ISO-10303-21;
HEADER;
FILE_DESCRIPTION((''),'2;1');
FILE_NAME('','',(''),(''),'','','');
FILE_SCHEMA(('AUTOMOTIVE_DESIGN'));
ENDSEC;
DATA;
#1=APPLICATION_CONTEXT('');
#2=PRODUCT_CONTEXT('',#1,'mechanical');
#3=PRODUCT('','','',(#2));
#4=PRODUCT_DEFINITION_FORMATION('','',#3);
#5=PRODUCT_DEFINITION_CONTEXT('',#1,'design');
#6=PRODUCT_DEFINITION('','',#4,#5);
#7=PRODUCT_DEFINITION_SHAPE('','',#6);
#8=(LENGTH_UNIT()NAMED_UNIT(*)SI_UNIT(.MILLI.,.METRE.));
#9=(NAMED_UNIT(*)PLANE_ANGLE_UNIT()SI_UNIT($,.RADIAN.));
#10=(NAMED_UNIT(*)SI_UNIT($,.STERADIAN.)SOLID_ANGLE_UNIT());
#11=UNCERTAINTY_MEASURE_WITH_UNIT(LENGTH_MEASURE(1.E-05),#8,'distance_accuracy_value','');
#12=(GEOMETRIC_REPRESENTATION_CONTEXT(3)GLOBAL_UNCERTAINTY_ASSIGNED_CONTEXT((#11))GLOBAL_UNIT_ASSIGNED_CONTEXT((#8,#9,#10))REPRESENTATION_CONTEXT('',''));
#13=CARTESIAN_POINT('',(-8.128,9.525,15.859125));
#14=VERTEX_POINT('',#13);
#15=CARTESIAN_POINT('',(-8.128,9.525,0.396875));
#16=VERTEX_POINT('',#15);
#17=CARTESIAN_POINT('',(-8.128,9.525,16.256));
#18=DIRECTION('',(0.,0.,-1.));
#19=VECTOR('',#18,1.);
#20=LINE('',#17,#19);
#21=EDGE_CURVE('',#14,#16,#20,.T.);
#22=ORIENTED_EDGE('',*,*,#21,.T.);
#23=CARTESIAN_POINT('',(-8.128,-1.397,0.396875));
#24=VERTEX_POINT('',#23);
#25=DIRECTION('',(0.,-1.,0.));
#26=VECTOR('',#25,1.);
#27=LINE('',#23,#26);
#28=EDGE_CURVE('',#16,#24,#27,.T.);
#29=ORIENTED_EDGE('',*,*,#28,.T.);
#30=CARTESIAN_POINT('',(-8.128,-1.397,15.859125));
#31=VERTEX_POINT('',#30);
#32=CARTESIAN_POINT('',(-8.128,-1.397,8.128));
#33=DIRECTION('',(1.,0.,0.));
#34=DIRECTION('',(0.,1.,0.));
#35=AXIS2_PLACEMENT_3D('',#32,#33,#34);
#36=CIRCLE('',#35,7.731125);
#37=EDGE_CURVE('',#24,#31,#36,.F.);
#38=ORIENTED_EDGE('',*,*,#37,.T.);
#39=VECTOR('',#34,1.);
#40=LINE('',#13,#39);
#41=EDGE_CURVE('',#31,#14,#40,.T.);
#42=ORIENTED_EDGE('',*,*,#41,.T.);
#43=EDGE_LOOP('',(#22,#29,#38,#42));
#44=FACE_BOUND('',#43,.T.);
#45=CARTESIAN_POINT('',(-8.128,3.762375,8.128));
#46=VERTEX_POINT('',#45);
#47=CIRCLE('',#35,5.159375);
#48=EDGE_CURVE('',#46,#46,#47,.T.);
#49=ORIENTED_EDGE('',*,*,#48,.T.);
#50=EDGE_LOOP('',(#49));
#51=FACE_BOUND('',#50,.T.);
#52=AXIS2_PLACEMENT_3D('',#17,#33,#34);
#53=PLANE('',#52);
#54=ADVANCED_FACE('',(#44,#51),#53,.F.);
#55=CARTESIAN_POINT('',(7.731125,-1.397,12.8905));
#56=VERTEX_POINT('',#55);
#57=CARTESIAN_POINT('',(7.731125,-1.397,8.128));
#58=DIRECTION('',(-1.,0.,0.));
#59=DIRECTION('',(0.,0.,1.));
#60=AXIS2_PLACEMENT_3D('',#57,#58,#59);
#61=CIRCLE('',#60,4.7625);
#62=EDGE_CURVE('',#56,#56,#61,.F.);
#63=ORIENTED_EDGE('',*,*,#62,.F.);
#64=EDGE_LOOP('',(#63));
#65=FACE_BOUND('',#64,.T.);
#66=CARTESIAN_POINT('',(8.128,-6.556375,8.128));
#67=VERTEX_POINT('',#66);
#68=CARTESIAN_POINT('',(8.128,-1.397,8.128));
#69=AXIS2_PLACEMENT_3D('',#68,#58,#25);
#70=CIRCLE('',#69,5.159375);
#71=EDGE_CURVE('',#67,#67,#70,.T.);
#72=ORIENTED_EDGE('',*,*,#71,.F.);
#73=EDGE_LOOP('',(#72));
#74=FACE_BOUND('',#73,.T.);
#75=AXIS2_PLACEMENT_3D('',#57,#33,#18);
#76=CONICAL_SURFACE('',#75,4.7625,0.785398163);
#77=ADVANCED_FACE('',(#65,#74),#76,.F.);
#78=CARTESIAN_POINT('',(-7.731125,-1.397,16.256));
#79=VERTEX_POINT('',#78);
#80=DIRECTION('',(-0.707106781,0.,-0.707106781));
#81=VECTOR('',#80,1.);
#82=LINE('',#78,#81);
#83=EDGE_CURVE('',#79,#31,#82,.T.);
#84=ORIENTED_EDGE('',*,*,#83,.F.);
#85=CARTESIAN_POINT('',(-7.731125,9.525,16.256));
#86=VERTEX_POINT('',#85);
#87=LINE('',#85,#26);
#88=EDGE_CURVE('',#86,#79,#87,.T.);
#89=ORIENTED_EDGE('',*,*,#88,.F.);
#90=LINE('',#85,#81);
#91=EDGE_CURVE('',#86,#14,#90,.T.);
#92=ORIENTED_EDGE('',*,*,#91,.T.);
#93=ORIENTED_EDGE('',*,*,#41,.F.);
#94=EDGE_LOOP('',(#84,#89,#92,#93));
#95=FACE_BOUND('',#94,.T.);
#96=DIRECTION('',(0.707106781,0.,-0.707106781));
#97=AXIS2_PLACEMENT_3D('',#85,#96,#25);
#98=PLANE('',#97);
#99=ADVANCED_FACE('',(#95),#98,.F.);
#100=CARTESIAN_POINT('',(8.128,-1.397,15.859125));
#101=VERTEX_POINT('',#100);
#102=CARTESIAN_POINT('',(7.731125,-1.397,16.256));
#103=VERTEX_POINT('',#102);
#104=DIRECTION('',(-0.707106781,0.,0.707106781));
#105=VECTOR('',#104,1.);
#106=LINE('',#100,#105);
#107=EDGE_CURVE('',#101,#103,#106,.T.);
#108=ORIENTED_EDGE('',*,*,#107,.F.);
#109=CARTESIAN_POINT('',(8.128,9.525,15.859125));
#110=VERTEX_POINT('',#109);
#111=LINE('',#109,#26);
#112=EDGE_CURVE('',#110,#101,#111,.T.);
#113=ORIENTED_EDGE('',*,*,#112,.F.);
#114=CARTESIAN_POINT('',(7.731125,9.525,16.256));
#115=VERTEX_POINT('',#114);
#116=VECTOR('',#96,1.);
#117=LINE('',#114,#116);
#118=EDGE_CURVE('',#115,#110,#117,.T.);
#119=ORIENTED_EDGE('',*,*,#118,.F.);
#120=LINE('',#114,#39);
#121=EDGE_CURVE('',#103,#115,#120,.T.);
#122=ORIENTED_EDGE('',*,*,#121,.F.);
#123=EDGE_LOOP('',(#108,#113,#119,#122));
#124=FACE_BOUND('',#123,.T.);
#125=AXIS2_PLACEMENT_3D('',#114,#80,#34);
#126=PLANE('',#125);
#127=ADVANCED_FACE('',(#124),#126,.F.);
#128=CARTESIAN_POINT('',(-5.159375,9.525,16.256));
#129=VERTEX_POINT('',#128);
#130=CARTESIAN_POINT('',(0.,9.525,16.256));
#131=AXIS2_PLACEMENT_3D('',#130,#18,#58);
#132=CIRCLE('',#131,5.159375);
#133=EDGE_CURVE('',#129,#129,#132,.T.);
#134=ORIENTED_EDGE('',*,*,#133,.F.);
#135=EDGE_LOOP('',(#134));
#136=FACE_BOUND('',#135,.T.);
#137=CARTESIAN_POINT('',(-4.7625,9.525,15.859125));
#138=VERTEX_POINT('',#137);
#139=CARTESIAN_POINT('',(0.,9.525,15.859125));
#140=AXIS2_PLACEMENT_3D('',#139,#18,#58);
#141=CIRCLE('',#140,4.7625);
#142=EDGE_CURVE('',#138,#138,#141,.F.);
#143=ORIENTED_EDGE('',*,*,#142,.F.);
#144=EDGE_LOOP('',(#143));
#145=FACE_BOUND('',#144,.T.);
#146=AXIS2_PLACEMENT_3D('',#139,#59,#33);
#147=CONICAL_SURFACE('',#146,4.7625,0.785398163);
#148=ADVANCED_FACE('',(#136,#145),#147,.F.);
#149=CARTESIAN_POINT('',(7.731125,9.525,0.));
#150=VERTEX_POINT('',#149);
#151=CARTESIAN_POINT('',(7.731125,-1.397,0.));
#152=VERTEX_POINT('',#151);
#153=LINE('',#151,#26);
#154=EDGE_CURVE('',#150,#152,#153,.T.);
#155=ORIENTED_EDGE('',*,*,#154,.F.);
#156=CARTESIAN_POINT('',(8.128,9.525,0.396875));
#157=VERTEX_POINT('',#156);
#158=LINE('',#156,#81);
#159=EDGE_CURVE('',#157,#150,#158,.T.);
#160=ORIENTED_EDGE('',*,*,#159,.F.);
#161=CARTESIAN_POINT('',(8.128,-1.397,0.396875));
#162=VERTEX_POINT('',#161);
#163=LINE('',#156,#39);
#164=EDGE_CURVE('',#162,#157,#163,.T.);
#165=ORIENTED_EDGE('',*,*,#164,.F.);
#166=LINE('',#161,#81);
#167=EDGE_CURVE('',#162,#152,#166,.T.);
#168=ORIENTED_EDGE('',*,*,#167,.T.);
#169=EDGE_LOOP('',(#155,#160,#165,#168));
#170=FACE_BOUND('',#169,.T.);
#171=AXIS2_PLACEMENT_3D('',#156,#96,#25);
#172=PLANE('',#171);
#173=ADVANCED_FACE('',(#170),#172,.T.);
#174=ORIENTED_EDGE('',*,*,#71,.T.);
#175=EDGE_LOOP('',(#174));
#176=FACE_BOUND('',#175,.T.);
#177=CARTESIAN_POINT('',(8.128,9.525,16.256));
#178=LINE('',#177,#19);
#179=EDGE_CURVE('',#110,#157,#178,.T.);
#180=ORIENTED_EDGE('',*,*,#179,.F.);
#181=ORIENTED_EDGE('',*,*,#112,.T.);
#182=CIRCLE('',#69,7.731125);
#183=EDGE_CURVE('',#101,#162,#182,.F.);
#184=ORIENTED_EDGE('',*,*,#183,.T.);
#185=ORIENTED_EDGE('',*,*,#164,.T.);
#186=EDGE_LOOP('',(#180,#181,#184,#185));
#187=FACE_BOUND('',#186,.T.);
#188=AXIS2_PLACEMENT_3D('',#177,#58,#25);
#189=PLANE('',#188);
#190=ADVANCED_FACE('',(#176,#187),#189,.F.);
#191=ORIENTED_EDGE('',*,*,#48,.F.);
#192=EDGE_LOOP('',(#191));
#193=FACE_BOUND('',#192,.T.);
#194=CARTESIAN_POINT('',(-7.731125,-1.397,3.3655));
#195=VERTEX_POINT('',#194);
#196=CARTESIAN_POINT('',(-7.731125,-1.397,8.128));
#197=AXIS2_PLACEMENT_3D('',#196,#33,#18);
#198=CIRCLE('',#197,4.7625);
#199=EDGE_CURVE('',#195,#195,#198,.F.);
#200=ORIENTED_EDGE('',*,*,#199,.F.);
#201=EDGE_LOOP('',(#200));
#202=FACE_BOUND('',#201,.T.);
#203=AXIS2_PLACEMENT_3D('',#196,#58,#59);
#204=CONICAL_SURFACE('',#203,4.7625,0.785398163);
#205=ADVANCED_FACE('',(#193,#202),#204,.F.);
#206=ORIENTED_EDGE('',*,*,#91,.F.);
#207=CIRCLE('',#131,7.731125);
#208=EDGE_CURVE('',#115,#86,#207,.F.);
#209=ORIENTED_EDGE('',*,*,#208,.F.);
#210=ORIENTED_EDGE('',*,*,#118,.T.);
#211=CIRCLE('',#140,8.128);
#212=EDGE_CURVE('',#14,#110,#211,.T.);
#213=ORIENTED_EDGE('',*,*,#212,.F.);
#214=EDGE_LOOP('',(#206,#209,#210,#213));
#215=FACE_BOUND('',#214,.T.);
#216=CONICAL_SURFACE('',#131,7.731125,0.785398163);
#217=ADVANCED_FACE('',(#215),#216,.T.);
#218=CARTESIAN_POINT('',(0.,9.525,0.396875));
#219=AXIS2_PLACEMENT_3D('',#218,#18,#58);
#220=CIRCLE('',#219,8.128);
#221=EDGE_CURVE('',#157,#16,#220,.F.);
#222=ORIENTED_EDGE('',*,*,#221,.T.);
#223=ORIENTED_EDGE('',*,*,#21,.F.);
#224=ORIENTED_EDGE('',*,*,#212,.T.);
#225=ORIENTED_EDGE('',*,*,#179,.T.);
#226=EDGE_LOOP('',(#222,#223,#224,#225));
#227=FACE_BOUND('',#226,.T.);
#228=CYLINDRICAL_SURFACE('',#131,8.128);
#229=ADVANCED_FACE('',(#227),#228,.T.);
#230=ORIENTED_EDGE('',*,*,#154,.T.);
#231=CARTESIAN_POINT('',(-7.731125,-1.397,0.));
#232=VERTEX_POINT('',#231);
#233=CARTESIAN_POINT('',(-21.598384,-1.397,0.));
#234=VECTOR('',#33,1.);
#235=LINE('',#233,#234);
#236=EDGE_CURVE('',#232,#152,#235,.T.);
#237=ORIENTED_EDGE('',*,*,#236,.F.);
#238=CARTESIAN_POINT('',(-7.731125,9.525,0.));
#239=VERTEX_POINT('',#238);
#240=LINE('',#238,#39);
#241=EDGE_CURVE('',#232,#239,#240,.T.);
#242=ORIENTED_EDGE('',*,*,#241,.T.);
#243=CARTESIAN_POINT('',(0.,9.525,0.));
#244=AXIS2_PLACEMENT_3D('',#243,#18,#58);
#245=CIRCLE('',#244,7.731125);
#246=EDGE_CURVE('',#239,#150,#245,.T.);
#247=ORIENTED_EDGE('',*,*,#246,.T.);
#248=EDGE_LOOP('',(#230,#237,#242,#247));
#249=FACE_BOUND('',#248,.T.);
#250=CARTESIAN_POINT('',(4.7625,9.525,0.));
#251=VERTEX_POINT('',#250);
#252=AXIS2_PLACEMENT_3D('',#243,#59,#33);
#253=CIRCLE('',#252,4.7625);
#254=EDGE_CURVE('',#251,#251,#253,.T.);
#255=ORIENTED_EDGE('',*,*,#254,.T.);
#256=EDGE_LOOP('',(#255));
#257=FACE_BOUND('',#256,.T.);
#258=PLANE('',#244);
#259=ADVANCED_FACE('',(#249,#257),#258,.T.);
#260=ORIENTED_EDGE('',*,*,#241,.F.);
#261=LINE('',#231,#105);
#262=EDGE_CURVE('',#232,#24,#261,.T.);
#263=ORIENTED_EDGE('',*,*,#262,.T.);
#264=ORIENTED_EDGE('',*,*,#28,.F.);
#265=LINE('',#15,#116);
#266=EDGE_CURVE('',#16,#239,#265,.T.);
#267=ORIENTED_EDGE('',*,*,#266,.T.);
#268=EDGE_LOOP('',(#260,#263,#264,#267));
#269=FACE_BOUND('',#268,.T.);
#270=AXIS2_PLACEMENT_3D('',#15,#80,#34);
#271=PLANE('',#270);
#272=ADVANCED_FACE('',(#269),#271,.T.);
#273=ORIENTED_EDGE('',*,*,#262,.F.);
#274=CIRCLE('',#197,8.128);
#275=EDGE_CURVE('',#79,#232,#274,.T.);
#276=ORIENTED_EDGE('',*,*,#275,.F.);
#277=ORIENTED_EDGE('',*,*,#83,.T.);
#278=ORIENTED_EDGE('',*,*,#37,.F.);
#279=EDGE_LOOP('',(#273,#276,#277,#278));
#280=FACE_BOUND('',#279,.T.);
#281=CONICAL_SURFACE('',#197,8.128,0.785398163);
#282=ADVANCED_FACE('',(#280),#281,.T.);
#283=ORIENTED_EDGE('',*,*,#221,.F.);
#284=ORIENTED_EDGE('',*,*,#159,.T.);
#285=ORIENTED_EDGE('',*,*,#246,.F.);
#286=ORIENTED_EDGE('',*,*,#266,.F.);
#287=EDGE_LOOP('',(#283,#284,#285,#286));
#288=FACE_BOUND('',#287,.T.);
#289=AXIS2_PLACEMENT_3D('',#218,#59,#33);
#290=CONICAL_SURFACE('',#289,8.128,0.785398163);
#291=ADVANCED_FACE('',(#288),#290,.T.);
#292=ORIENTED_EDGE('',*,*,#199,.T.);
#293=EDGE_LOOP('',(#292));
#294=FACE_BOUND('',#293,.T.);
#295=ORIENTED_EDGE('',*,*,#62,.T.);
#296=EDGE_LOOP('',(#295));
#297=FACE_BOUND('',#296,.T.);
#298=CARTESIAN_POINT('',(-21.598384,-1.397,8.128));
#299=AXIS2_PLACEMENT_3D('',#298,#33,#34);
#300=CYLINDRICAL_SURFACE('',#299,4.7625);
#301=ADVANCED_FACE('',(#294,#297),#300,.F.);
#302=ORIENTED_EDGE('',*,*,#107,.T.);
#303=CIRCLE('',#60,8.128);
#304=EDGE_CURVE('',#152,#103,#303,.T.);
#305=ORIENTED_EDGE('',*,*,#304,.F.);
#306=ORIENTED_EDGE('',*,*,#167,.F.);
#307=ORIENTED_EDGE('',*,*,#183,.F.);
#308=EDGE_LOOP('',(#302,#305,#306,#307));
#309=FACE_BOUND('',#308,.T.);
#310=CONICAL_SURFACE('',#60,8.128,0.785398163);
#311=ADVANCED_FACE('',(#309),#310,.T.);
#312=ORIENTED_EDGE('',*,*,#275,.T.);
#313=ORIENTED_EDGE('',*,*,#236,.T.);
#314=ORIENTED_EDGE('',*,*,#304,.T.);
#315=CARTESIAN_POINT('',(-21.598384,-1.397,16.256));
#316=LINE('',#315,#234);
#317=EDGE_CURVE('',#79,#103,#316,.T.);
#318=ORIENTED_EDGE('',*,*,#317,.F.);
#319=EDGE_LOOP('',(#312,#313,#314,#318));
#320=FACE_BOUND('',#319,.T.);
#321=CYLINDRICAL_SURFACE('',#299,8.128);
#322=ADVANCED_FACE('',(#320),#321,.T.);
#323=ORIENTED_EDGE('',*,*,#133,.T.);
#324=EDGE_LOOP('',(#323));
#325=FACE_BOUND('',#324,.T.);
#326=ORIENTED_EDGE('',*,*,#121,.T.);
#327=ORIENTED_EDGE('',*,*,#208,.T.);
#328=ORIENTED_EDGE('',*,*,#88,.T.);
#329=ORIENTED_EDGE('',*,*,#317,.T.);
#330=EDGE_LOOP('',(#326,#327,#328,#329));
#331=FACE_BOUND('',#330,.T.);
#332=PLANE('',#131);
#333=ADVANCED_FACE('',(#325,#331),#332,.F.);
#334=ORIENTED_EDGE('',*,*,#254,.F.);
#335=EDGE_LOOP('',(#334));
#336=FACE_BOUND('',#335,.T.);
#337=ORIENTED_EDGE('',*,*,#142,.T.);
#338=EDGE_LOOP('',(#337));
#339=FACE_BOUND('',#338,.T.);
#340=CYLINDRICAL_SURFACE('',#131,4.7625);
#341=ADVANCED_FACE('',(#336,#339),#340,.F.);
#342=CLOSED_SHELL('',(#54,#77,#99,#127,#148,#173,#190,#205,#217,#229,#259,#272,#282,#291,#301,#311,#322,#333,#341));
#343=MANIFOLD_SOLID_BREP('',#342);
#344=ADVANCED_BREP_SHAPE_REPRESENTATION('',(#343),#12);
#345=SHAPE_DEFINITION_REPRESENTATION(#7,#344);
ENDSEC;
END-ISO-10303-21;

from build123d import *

# Parameters (mm, degrees)
SKETCH1_R           = 4.7625
BOSS_EXTRUDE1_DEPTH = 16.256
SKETCH2_R           = 4.7625
CUT_EXTRUDE1_DEPTH  = 16.256
CHAMFER1_SIZE       = 0.396875


with BuildPart() as part:
    # Sketch1 → Boss-Extrude1 (new body)
    with BuildSketch(Plane.XY):
        with BuildLine():
            Line((-8.128, 9.525), (-8.128, -9.525))
            Line((-8.128, -9.525), (8.128, -9.525))
            Line((8.128, -9.525), (8.128, 9.525))
            ThreePointArc((8.128, 9.525), (0, 17.653), (-8.128, 9.525))
        make_face()
        with Locations((0, 9.525)):
            Circle(SKETCH1_R, mode=Mode.SUBTRACT)
    extrude(amount=BOSS_EXTRUDE1_DEPTH)

    # Sketch2 → Cut-Extrude1 (cut)
    with BuildSketch(Plane(origin=(8.128, 0, 0), x_dir=(0, 0, -1), z_dir=(1, 0, 0))):
        with BuildLine():
            ThreePointArc((0, -1.397), (-2.380636089, -7.144363924), (-8.128000019, -9.525))
            Line((-8.128000019, -9.525), (0, -9.525))
            Line((0, -9.525), (0, -1.397))
        make_face()
        with BuildLine():
            ThreePointArc((-8.128000019, -9.525), (-13.875363924, -7.144363911), (-16.256, -1.397))
            Line((-16.256, -1.397), (-16.256, -9.525))
            Line((-16.256, -9.525), (-8.128000019, -9.525))
        make_face()
        with Locations(Location((-8.128, -1.397, 0), (0, 0, 90))):
            Circle(SKETCH2_R)
    extrude(amount=-CUT_EXTRUDE1_DEPTH, mode=Mode.SUBTRACT)

    # Chamfer1
    chamfer1_edges = [part.edges().sort_by_distance(p)[0] for p in [
        (-4.7625, 9.525, 16.256),
        (-8.128, 4.064, 16.256),
        (8.128, 4.064, 16.256),
        (8.128, -9.525, 8.128),
        (-8.128, -9.525, 8.128),
        (8.128, 4.064, 0),
        (8.128, -6.1595, 8.128),
        (-8.128, -6.1595, 8.128),
        (-8.128, 4.064, 0),
        (0, 17.653, 0),
        (0, 17.653, 16.256),
    ]]
    chamfer(chamfer1_edges, length=CHAMFER1_SIZE)


solid = part.part
